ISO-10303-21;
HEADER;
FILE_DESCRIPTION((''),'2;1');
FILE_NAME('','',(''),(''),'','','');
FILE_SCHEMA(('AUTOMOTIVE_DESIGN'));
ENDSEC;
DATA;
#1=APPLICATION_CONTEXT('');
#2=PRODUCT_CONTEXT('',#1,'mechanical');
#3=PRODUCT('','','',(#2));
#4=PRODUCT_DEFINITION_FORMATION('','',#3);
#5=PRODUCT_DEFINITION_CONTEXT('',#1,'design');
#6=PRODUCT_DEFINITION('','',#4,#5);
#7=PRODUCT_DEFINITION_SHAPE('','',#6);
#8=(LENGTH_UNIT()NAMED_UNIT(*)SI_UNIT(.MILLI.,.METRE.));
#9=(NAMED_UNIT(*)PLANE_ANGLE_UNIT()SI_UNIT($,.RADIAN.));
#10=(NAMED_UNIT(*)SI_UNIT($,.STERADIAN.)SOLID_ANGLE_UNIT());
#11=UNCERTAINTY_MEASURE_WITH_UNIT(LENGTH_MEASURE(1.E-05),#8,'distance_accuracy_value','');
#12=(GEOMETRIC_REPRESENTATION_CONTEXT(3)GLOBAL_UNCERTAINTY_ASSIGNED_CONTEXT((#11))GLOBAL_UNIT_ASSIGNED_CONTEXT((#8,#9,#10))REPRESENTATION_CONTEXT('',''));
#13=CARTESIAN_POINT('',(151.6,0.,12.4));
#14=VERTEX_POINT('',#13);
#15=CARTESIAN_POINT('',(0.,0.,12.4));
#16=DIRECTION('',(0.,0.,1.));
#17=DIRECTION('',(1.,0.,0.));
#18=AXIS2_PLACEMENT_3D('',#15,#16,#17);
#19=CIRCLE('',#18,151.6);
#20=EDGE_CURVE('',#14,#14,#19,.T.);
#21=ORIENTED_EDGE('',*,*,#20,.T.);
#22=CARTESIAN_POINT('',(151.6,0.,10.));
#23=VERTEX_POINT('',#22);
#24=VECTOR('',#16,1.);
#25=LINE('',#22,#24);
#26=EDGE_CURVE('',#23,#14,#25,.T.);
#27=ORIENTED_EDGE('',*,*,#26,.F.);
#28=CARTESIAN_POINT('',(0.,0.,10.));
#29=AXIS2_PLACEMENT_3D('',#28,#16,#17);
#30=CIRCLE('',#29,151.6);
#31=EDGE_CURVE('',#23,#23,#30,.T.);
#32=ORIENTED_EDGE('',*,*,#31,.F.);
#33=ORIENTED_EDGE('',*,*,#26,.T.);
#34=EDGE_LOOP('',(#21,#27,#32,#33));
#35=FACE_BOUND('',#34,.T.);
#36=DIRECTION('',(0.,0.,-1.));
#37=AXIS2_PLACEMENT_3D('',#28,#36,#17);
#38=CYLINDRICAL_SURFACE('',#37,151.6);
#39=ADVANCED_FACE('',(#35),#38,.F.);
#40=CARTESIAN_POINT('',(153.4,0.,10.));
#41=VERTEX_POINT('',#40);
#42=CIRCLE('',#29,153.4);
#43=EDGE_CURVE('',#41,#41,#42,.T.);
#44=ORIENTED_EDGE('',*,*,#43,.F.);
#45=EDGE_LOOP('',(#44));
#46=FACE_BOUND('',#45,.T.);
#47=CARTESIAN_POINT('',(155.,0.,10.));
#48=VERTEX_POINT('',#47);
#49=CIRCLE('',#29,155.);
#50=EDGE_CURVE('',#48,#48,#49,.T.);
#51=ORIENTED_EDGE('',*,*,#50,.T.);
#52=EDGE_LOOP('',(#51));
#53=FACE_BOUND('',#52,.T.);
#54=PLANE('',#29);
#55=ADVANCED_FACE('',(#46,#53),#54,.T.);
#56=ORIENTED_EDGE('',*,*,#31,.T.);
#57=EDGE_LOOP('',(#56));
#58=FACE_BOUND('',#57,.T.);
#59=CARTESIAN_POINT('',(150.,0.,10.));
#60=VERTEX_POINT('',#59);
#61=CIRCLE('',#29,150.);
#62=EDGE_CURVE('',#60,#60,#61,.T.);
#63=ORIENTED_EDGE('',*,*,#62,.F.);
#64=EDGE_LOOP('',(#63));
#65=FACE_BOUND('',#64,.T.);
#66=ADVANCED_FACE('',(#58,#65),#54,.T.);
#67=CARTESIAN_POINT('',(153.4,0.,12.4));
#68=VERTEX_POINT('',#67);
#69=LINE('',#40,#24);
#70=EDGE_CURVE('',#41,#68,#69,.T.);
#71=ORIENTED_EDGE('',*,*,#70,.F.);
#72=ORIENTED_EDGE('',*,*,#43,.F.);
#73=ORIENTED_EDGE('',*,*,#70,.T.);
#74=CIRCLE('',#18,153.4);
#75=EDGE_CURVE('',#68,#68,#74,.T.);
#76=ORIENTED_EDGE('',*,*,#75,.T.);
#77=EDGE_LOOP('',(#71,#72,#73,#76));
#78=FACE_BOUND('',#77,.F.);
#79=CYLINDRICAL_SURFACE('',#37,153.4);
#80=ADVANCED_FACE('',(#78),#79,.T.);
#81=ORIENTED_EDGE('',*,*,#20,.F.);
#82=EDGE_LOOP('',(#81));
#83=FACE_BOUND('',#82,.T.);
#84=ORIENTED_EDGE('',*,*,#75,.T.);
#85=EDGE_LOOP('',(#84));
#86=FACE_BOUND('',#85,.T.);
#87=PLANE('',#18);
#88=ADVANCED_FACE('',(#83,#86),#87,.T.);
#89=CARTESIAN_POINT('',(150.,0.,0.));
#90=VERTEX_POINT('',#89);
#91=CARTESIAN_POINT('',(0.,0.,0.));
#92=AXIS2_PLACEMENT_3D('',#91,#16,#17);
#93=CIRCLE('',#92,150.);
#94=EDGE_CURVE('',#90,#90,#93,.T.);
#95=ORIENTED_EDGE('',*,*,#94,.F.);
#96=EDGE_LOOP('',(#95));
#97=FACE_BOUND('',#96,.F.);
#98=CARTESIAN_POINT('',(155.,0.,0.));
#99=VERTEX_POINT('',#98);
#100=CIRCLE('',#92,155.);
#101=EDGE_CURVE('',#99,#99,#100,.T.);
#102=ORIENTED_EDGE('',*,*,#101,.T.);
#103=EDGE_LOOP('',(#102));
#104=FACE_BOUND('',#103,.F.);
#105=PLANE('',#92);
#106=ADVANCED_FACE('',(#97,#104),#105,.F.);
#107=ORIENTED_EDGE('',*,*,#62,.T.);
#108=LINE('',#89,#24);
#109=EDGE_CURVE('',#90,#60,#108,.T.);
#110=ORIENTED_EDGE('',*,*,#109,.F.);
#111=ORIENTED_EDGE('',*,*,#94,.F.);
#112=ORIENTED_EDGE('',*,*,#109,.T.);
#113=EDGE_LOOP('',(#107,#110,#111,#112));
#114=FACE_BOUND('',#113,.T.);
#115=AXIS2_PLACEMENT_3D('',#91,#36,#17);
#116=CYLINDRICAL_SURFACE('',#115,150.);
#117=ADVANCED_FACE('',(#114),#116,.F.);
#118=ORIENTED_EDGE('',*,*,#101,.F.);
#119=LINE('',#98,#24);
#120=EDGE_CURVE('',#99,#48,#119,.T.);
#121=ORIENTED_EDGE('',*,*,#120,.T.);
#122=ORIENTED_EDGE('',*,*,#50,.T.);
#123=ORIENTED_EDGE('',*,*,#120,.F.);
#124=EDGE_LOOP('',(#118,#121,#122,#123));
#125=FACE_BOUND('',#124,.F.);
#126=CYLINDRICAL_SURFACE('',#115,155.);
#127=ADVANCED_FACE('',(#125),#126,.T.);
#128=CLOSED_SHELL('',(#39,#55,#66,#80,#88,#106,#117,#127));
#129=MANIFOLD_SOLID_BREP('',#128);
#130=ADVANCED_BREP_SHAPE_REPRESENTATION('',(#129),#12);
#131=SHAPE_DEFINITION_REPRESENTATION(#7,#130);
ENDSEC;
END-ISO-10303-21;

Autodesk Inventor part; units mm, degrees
ref_plane "우측면도" through (0, 0, 0) normal (1, 0, 0) x (0, 1, 0)
ref_plane "평면도" through (0, 0, 0) normal (0, 1, 0) x (-1, 0, 0)
ref_plane "정면도" through (0, 0, 0) normal (0, 0, 1) x (1, 0, 0)
sketch "스케치1" plane through (0, 0, 0) normal (0, 0, 1) x (1, 0, 0)
  circle A0 centre (0, 0) radius 10
  circle A1 centre (0, 0) radius 155
  circle A2 centre (0, 0) radius 150
  line L0 (-100, -100) -> (100, -100)
  line L1 (100, -100) -> (100, 100)
  line L2 (100, 100) -> (-100, 100)
  line L3 (-100, 100) -> (-100, -100)
  line L4 (-100, -100) -> (100, 100) construction
  line L5 (100, -100) -> (-100, 100) construction
  point P0 (-92, -32.0118)
  dimension "d0" = 5
  dimension "d9" = 97.4103
  dimension "d10" = 200
  dimension "d11" = 200
extrude "돌출1" add sketch "스케치1" along normal blind 10 contours A1
sketch "스케치2" plane through (0, 0, 10) normal (0, 0, 1) x (1, 0, 0)
  circle A0 centre (0, 0) radius 10
  circle A1 centre (0, 0) radius 150
  circle A2 centre (0, 0) radius 155
  circle A3 centre (0, 0) radius 151.6
  circle A4 centre (0, 0) radius 153.4
  point P0 (-92, -32.0118)
  dimension "d3" = 1.6
  dimension "d4" = 1.6
extrude "돌출2" add sketch "스케치2" along normal blind 2.4 contours A4
properties part number "뚜겅"
